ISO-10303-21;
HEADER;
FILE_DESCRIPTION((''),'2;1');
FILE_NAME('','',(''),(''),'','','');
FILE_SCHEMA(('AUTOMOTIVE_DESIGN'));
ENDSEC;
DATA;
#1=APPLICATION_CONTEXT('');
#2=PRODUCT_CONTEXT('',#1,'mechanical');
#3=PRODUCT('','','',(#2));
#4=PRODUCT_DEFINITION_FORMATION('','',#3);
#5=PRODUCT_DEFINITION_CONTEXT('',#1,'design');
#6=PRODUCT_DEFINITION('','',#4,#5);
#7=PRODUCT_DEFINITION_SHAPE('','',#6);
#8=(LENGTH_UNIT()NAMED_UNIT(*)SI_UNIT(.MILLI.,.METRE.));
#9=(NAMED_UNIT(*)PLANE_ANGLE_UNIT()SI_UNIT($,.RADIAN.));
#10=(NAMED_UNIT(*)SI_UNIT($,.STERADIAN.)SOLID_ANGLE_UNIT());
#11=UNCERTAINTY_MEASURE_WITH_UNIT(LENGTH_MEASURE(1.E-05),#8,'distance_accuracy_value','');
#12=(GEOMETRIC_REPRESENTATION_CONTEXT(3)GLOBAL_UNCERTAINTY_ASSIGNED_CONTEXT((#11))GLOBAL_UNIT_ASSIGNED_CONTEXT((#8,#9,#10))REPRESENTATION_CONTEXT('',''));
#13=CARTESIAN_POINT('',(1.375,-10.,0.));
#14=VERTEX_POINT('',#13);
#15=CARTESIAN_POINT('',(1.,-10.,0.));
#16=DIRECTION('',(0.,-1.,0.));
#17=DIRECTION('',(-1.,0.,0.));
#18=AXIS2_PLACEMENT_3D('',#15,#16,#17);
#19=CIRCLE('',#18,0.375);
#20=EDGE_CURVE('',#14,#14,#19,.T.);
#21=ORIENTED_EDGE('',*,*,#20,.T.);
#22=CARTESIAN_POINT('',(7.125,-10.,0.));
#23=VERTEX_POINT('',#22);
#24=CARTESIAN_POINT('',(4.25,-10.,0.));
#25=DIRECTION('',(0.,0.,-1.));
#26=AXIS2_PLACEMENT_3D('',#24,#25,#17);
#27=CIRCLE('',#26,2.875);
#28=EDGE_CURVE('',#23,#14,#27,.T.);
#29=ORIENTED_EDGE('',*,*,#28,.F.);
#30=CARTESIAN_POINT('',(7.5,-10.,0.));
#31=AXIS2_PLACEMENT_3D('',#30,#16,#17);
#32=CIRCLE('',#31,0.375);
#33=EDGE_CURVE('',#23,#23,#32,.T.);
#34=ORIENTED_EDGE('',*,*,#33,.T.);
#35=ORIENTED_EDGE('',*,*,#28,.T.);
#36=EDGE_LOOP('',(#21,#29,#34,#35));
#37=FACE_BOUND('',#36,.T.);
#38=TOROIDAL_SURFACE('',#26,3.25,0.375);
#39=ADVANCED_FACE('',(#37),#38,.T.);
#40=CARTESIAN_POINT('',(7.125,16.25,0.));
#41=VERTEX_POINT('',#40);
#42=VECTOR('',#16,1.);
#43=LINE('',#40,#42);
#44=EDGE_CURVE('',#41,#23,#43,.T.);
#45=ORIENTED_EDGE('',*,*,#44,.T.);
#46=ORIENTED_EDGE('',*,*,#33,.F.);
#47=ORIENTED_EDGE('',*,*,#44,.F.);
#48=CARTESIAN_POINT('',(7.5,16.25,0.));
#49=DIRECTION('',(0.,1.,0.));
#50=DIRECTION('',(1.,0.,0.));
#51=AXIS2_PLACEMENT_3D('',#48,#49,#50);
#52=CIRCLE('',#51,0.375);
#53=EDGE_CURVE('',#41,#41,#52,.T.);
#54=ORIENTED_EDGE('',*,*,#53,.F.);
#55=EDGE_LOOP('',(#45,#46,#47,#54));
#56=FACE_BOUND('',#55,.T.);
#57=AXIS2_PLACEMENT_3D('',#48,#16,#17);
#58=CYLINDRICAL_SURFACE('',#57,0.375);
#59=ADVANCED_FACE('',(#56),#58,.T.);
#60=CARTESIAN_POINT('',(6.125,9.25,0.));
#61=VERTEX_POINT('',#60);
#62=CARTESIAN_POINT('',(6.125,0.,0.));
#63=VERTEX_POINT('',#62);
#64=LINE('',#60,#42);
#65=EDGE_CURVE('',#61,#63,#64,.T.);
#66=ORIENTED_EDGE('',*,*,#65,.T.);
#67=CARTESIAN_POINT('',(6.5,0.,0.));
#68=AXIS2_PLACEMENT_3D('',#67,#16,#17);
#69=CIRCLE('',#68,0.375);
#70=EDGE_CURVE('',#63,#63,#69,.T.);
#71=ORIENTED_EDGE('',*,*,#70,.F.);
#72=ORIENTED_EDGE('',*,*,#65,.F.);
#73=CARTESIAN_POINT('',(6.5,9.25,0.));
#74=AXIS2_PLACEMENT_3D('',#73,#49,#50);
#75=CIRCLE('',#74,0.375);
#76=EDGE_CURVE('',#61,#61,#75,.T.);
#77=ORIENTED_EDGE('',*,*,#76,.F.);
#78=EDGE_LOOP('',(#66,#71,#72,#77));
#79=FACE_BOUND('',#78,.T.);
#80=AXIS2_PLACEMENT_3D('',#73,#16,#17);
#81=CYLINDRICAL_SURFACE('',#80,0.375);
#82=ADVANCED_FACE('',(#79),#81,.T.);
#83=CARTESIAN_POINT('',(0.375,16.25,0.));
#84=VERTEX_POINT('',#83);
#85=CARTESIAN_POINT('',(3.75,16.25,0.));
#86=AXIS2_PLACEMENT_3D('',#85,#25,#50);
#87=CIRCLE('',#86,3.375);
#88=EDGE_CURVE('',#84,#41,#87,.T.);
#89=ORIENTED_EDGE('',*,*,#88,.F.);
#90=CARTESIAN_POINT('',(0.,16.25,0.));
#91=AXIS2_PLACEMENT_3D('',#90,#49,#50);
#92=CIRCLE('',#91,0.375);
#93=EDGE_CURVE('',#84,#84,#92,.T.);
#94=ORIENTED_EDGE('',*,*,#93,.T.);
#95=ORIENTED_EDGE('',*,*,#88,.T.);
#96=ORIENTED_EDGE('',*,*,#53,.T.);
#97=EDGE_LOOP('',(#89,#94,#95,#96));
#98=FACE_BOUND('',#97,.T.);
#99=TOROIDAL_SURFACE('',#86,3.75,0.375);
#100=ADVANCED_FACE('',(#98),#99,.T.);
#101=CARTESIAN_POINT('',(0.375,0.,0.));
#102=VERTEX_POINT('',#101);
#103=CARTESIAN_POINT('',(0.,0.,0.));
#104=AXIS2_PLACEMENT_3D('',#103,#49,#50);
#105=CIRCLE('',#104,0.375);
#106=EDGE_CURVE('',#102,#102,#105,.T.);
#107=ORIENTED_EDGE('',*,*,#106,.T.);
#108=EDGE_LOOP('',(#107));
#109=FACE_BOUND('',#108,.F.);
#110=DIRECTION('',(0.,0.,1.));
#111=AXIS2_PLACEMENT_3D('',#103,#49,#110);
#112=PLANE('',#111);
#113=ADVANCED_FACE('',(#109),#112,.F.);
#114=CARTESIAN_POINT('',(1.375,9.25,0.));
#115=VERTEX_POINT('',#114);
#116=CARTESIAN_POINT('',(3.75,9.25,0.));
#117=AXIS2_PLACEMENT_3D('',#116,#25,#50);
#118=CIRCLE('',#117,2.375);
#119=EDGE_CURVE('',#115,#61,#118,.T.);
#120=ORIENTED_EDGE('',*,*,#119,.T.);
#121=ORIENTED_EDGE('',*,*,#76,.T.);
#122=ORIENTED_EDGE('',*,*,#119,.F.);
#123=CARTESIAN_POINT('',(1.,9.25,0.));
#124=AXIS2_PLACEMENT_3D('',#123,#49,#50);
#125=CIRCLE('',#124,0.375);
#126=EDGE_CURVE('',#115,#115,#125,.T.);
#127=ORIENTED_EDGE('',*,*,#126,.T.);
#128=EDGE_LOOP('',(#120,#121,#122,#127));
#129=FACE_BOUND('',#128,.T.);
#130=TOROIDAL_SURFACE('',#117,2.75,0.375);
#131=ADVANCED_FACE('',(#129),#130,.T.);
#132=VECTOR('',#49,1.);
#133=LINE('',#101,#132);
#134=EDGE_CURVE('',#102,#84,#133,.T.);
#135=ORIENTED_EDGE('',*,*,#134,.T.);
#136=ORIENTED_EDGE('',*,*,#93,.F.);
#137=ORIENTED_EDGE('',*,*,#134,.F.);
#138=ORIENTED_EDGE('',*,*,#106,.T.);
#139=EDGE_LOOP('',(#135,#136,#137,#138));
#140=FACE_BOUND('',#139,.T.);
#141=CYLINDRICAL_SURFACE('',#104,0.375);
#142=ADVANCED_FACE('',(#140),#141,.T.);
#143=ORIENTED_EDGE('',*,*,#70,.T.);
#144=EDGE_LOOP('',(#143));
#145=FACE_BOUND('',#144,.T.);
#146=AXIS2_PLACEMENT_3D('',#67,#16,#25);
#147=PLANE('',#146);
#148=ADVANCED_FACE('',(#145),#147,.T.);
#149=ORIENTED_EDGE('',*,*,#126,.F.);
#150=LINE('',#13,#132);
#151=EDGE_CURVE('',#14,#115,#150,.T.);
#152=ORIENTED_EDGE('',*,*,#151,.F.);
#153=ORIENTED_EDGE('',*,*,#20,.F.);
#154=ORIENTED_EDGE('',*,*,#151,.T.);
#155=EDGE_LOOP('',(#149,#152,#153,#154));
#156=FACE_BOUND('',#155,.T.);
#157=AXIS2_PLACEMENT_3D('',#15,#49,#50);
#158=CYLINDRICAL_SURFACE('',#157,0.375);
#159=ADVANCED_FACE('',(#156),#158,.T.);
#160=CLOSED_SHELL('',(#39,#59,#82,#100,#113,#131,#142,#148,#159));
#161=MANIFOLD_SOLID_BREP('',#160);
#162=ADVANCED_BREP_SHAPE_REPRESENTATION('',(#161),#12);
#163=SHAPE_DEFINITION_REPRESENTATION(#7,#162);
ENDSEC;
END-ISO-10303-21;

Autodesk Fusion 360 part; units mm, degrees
sketch "SweepPath" plane through (0, 0, 0) normal (0, 0, 1) x (1, 0, 0) in component "Sketches"
  line L0 (0, 0) -> (0, 16.25)
  line L1 (0, 16.25) -> (7.5, 16.25) construction
  line L2 (7.5, 16.25) -> (7.5, -10)
  line L3 (7.5, -10) -> (1, -10) construction
  line L4 (1, -10) -> (1, 9.25)
  line L5 (1, 9.25) -> (6.5, 9.25) construction
  line L6 (6.5, 9.25) -> (6.5, 0)
  arc A0 (7.5, 16.25) -> (0, 16.25) centre (3.75, 16.25) ccw
  arc A1 (6.5, 9.25) -> (1, 9.25) centre (3.75, 9.25) ccw
  arc A2 (1, -10) -> (7.5, -10) centre (4.25, -10) ccw
  dimension "d1" = 16.25
  dimension "d2" = 7.5
  dimension "d3" = 26.25
  dimension "d4" = 6.5
  dimension "d5" = 19.25
  dimension "d6" = 5.5
  dimension "d7" = 9.25
sketch "SweepProfile" plane through (0, 0, 0) normal (0, 1, 0) x (1, 0, 0) in component "Sketches"
  circle A0 centre (0, 0) radius 0.375
  dimension "d10" = 0.75
sweep "Sweep1" add profiles "SweepProfile" path "SweepPath" along L0 A0 L2 A2 L4 A1 L6 section 1 in component "Sketches"
component "Sketches" placed x (1, 0, 0) y (0, 1, 0) z (0, 0, 1) at (0, 0, 0)
